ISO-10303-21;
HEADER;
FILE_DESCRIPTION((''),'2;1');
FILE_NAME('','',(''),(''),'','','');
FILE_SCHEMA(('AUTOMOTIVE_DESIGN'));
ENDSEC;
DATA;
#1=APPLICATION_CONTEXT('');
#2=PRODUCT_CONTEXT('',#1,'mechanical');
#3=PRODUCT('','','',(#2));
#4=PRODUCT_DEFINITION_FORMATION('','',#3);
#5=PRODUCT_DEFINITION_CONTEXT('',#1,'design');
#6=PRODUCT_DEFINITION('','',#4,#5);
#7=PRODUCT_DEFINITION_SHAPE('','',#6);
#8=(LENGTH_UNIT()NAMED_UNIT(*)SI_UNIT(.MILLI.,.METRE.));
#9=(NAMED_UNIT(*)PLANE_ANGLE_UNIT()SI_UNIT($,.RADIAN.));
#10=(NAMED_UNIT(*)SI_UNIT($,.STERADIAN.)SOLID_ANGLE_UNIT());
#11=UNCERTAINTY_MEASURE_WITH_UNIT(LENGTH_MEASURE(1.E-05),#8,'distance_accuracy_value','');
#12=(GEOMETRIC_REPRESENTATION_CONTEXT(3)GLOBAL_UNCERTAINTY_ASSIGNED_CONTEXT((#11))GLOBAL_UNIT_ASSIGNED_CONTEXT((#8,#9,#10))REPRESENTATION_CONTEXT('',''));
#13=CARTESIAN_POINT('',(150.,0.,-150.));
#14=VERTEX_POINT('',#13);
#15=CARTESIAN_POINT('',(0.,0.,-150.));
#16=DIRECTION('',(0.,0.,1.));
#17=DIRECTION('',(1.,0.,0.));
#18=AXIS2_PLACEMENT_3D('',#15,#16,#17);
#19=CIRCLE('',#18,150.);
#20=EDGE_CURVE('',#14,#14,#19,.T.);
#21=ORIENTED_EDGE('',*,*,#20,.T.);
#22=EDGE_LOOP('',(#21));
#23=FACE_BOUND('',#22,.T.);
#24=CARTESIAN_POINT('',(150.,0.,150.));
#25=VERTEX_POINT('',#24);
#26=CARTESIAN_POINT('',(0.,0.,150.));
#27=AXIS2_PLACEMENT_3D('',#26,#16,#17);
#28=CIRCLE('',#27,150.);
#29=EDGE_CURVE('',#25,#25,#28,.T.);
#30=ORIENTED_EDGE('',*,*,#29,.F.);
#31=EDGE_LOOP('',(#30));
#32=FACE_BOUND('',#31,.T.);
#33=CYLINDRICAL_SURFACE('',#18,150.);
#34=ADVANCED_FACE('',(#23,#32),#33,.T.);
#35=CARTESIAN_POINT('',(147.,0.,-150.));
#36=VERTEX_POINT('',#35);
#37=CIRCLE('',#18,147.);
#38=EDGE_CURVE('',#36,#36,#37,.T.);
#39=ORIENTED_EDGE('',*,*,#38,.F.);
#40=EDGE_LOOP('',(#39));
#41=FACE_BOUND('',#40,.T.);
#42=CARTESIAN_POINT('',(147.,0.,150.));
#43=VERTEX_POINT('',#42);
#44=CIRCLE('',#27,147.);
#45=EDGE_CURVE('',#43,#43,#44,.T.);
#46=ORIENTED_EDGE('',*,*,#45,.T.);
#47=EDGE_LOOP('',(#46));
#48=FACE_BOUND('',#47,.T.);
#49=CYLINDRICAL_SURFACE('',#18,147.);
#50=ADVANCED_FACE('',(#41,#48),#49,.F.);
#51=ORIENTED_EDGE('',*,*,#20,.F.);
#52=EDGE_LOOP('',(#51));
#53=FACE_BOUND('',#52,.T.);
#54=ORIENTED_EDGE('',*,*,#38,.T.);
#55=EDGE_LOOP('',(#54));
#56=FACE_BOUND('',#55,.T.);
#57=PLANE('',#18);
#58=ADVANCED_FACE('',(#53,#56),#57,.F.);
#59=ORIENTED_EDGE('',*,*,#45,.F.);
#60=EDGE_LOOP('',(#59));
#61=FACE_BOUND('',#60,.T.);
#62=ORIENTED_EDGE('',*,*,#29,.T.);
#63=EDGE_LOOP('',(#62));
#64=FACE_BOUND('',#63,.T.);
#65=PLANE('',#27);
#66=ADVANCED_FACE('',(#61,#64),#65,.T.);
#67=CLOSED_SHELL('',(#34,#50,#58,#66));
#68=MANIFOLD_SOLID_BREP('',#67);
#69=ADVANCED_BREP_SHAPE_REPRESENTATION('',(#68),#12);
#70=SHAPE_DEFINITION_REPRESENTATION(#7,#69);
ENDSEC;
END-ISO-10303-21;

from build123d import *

# Parameters (mm, degrees)
BOSS_EXTRUDE1_DEPTH      = 150
BOSS_EXTRUDE1_DEPTH_BACK = 150
SKETCH1_R                = 150
SKETCH1_R_2              = 147


with BuildPart() as part:
    # Sketch1 → Boss-Extrude1 (new, two sides: drawn at the far end of the back side and taken through both)
    with BuildSketch(Plane.XY.offset(-BOSS_EXTRUDE1_DEPTH_BACK)):
        Circle(SKETCH1_R)
        Circle(SKETCH1_R_2, mode=Mode.SUBTRACT)
    extrude(amount=BOSS_EXTRUDE1_DEPTH + BOSS_EXTRUDE1_DEPTH_BACK)


solid = part.part
